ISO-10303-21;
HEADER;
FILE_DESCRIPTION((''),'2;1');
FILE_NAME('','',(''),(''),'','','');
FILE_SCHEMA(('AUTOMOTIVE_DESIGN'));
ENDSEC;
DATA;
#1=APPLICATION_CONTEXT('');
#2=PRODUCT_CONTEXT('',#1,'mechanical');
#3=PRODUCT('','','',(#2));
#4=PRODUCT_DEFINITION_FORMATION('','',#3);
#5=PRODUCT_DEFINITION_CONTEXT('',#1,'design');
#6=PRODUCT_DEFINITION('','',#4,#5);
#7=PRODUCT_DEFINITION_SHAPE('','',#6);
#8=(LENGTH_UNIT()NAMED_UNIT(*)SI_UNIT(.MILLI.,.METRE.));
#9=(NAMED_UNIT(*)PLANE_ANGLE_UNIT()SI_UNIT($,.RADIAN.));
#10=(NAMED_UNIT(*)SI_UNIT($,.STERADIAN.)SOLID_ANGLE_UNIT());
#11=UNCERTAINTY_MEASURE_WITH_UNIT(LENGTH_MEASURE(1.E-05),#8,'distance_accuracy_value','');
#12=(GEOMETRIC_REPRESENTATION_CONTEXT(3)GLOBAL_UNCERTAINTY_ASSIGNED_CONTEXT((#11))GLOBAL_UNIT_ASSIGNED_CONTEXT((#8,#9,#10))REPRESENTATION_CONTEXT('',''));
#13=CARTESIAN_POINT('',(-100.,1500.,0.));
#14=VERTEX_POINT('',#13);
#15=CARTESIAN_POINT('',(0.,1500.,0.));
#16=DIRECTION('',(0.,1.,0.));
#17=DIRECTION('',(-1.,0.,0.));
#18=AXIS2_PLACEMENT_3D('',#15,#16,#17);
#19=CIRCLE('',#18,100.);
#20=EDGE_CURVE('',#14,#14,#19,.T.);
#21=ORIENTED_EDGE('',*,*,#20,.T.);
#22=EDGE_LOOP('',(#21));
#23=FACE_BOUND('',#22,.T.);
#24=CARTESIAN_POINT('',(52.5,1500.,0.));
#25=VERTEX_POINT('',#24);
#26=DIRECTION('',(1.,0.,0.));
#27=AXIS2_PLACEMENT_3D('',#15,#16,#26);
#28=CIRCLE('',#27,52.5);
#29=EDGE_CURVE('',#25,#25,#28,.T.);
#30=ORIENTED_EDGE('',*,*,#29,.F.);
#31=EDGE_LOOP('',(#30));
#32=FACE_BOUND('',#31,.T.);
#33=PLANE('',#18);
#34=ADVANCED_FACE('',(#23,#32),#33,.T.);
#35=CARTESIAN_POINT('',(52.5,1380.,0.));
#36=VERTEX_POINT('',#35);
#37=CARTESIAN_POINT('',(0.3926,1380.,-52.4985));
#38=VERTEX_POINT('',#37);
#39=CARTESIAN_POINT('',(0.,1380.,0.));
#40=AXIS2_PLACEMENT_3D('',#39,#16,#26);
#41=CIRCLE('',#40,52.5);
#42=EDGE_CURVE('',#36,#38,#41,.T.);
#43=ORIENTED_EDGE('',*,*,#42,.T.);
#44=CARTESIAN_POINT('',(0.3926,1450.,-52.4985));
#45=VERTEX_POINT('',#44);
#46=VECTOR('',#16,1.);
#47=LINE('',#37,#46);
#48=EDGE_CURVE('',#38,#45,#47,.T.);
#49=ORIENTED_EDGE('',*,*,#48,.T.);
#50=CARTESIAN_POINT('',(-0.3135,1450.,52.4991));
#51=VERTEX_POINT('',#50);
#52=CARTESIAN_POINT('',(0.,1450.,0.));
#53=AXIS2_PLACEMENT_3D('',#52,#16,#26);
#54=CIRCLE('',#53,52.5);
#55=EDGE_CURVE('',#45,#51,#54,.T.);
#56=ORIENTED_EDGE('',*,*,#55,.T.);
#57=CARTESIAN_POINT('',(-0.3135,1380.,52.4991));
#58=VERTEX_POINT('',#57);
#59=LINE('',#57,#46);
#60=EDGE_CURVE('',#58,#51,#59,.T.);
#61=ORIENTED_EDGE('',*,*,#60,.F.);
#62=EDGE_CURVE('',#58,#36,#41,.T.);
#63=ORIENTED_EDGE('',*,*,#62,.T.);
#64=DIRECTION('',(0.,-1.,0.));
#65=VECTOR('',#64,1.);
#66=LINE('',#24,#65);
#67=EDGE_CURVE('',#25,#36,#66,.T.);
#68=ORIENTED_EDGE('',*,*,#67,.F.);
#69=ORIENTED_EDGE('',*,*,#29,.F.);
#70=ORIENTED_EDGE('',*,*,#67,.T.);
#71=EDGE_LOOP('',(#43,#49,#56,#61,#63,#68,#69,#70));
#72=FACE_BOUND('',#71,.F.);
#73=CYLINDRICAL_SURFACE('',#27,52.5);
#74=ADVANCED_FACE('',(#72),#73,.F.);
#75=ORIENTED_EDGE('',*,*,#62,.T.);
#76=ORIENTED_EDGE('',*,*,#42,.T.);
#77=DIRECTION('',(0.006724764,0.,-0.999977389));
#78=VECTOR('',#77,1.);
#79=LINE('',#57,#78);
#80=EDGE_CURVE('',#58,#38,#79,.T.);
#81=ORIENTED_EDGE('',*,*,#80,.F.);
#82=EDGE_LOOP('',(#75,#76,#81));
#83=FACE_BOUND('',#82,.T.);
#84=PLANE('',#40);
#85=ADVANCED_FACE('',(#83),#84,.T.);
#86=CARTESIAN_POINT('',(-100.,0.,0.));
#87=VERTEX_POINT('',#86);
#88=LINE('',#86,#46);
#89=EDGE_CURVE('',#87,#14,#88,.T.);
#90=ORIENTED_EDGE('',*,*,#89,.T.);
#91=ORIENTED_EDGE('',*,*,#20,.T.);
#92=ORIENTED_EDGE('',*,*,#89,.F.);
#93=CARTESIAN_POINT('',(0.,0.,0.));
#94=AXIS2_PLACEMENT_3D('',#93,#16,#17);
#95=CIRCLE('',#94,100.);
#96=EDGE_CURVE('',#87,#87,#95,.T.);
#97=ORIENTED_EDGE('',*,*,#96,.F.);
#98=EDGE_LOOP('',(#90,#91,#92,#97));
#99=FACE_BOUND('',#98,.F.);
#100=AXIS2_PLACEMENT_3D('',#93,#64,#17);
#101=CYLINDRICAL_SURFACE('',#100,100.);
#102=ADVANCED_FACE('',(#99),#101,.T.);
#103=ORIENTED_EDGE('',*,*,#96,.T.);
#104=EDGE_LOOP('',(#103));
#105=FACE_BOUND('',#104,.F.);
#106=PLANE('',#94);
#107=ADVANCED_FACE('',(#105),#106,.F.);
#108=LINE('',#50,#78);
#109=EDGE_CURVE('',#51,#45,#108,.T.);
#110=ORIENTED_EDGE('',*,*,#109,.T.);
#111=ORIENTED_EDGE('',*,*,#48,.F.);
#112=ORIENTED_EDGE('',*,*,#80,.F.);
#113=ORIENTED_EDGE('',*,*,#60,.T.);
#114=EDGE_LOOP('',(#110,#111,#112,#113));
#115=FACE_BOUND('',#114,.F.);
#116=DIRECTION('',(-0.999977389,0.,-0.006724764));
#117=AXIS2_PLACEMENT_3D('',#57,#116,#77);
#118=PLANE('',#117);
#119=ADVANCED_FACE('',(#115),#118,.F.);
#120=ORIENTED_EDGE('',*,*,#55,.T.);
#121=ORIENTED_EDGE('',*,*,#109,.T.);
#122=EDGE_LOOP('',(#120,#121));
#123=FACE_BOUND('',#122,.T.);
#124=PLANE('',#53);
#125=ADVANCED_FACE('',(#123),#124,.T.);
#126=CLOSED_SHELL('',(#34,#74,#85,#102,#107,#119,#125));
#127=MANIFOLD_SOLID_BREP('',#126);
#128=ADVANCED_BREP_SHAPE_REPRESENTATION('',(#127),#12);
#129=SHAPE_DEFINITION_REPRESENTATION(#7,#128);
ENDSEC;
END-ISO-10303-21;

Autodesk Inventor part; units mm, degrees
ref_plane "YZ Plane" through (0, 0, 0) normal (1, 0, 0) x (0, 1, 0)
ref_plane "XZ Plane" through (0, 0, 0) normal (0, 1, 0) x (-1, 0, 0)
ref_plane "XY Plane" through (0, 0, 0) normal (0, 0, 1) x (1, 0, 0)
sketch "スケッチ1" plane through (0, 0, 0) normal (0, 1, 0) x (-1, 0, 0)
  circle A0 centre (0, 0) radius 100
  dimension "d0" = 200
extrude "押し出し1" add sketch "スケッチ1" along normal blind 1500
sketch "スケッチ2" plane through (0, 1500, 0) normal (0, 1, 0) x (1, 0, 0)
  circle A0 centre (0, 0) radius 25
  dimension "d3" = 50
extrude "押し出し2" cut sketch "スケッチ2" against normal blind 50
sketch "スケッチ3" plane through (0, 1500, 0) normal (0, 1, 0) x (1, 0, 0)
  point P0 (0, 0)
sketch "スケッチ4" plane through (0, 1500, 0) normal (0, 1, 0) x (1, 0, 0)
  circle A0 centre (0, 0) radius 25 projected
  circle A1 centre (0, 0) radius 50
  dimension "d6" = 100
extrude "押し出し3" cut sketch "スケッチ4" against normal blind 120 contours A0 | A1
sketch "スケッチ5" plane through (0, 1500, 0) normal (0, 1, 0) x (1, 0, 0)
  circle A0 centre (0, 0) radius 52.5
  dimension "d9" = 105
extrude "押し出し4" cut sketch "スケッチ5" against normal blind 120
sketch "スケッチ6" plane through (0, 1380, 0) normal (0, 1, 0) x (1, 0, 0)
  circle A0 centre (0, 0) radius 52.5 projected
  arc A1 (0.3926, 52.4985) -> (-0.3135, -52.4991) centre (0, 0) ccw
  line L0 (-0.3135, -52.4991) -> (0.3926, 52.4985)
extrude "押し出し5" add sketch "スケッチ6" along normal blind 70 contours L0 A0 picked at (-3.2934, -17.1824)
properties part number "poal1"
